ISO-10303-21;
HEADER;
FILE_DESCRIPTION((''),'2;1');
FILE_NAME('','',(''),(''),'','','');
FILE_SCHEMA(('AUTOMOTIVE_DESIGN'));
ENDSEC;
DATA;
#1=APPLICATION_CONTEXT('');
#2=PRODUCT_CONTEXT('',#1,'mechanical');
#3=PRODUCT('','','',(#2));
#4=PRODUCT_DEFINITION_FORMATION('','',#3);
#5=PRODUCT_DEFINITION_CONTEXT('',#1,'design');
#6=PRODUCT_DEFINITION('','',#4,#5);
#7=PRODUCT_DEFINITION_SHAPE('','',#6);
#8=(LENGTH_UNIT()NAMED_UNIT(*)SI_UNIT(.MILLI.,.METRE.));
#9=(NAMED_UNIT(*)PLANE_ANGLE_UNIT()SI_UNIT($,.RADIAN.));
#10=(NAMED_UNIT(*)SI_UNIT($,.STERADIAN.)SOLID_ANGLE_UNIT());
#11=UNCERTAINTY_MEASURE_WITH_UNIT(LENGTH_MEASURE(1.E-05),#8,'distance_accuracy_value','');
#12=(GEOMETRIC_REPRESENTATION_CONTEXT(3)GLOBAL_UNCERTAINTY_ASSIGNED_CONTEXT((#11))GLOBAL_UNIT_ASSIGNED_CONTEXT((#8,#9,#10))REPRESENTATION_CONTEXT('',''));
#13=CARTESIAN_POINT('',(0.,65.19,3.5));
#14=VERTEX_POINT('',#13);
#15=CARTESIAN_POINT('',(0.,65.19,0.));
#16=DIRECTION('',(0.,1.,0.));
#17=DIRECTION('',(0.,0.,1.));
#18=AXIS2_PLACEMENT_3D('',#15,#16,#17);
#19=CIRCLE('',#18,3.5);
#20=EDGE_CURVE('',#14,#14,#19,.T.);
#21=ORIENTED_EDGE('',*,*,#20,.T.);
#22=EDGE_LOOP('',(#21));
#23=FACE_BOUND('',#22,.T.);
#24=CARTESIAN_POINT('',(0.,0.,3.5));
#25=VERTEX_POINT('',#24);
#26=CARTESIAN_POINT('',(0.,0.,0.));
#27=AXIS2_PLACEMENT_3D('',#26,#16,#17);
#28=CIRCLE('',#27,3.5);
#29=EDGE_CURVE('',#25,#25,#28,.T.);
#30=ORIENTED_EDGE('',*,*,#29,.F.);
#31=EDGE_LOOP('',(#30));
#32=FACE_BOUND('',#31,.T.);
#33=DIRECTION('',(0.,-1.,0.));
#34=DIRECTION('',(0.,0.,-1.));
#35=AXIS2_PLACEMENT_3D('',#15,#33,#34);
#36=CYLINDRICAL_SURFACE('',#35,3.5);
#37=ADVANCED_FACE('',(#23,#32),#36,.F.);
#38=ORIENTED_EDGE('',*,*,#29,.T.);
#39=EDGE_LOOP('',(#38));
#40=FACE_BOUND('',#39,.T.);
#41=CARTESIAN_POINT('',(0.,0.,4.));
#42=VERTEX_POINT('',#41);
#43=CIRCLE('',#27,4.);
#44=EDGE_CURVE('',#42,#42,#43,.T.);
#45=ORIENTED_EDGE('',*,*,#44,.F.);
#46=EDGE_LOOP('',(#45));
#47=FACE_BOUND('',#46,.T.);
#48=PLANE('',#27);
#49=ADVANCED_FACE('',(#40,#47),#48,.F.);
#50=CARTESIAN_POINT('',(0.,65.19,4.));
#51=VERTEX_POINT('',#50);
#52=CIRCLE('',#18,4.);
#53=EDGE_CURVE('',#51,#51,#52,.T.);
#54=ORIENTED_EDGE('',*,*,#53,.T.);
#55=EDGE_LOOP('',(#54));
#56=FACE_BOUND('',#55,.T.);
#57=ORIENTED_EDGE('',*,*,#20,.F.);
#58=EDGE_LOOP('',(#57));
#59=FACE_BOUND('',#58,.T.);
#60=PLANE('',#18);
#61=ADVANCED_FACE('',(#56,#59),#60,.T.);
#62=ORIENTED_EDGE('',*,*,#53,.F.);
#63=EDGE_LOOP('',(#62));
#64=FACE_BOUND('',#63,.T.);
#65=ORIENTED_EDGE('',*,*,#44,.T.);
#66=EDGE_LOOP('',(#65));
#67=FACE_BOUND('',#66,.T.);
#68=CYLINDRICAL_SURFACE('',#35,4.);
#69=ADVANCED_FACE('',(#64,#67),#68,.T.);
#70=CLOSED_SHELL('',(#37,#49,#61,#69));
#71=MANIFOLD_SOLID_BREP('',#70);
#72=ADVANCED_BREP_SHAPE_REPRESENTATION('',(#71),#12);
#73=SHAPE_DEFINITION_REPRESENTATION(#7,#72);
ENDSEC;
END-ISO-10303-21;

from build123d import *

# Parameters (mm, degrees)
SKETCH_1_R      = 4
SKETCH_1_R_2    = 3.5
EXTRUDE_1_DEPTH = 65.19


with BuildPart() as part:
    # 草图1 → 凸台-拉伸1 (new body)
    with BuildSketch(Plane(origin=(0, 0, 0), x_dir=(1, 0, 0), z_dir=(0, 1, 0))):
        Circle(SKETCH_1_R)
        Circle(SKETCH_1_R_2, mode=Mode.SUBTRACT)
    extrude(amount=EXTRUDE_1_DEPTH)


solid = part.part
